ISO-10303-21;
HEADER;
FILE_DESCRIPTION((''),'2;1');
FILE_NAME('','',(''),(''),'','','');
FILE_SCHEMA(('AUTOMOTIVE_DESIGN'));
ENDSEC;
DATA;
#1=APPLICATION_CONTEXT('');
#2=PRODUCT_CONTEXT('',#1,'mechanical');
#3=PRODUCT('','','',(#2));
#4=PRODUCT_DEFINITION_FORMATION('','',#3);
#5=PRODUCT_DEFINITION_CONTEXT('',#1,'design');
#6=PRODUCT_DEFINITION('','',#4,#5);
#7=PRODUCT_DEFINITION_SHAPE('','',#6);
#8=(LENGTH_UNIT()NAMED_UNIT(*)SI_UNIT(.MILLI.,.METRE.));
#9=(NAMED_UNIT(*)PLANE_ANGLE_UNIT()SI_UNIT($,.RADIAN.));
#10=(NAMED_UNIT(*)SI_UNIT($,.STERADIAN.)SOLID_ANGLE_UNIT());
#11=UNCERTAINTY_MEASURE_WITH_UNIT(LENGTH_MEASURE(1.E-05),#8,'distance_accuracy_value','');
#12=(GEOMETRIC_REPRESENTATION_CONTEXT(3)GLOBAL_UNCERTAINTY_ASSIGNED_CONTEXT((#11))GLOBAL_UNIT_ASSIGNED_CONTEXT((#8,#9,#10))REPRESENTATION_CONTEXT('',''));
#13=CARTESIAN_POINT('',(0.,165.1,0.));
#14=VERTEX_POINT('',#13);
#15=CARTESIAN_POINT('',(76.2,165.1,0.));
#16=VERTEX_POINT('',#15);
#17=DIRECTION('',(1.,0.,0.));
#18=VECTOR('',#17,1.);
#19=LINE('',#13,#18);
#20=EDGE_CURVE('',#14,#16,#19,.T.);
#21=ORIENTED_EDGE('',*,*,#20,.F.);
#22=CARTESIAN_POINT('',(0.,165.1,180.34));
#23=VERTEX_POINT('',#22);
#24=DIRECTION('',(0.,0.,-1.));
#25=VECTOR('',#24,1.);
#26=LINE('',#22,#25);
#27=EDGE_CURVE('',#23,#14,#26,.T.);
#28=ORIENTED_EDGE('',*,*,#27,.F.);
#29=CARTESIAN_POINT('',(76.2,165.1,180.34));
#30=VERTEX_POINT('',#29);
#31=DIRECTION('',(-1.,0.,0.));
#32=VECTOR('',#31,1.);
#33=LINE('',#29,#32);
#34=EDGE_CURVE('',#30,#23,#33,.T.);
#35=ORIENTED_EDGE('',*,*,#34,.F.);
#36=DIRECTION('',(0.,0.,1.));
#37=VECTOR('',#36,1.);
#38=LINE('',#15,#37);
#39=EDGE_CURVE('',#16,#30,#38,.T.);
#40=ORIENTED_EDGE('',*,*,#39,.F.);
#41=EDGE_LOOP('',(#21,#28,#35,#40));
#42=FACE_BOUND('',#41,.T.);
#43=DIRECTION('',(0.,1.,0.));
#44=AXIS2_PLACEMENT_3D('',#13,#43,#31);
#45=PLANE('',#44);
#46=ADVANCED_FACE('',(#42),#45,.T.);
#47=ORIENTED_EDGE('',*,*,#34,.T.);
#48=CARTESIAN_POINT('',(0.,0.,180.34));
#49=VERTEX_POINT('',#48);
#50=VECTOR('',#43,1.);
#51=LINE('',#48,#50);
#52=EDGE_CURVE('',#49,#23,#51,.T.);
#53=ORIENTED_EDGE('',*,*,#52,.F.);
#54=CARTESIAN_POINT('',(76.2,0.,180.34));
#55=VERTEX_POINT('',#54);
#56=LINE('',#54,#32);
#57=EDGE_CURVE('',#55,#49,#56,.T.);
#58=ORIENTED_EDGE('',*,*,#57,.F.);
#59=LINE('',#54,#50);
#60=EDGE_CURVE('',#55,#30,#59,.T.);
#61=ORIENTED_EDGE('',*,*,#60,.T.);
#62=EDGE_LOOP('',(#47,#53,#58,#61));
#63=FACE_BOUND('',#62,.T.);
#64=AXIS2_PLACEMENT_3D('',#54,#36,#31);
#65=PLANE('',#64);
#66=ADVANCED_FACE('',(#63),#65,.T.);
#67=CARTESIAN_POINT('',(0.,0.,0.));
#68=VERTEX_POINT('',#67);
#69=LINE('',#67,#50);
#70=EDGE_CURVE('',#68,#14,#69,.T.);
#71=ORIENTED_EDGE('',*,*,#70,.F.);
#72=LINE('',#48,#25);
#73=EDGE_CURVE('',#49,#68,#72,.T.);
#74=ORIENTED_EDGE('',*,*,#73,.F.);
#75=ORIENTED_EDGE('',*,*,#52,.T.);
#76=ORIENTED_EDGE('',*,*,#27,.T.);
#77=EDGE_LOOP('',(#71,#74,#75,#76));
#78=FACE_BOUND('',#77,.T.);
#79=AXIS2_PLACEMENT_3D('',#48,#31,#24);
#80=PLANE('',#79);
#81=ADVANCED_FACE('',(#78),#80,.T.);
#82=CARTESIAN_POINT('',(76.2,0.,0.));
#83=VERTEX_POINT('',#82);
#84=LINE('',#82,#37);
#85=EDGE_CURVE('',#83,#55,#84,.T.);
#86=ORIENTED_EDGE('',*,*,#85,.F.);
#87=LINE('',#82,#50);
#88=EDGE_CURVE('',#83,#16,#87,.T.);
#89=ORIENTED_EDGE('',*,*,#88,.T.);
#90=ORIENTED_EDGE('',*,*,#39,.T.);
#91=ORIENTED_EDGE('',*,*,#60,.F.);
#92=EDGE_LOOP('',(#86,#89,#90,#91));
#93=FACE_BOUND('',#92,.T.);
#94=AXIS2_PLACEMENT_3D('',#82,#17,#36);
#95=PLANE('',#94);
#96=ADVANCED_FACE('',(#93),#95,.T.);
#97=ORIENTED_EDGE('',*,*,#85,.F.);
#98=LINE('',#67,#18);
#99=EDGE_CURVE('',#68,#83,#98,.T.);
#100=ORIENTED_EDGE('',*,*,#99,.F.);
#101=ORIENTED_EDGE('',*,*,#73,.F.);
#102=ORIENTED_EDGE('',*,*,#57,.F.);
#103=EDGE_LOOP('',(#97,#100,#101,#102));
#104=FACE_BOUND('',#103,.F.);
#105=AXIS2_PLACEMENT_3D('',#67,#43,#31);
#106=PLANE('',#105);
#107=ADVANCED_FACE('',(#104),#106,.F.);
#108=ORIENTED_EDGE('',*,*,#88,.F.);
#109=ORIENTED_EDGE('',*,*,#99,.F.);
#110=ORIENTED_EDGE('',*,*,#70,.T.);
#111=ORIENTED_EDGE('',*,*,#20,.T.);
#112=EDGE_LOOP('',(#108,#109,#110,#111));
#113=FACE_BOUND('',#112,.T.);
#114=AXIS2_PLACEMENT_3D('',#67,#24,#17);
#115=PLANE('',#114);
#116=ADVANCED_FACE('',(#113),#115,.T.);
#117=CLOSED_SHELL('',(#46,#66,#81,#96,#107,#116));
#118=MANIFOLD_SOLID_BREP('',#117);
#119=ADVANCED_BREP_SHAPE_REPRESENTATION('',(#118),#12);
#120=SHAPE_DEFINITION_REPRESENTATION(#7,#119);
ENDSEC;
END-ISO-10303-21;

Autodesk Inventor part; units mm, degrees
ref_plane "YZ Plane" through (0, 0, 0) normal (1, 0, 0) x (0, 1, 0)
ref_plane "XZ Plane" through (0, 0, 0) normal (0, 1, 0) x (-1, 0, 0)
ref_plane "XY Plane" through (0, 0, 0) normal (0, 0, 1) x (1, 0, 0)
sketch "Sketch1" plane through (0, 0, 0) normal (0, 1, 0) x (-1, 0, 0)
  line L0 (0, 0) -> (-76.2, 0)
  line L1 (-76.2, 0) -> (-76.2, 180.34)
  line L2 (-76.2, 180.34) -> (0, 180.34)
  line L3 (0, 180.34) -> (0, 0)
  dimension "d0" = 76.2
  dimension "d1" = 180.34
extrude "Extrusion1" add sketch "Sketch1" along normal blind 165.1
properties part number "battery"
